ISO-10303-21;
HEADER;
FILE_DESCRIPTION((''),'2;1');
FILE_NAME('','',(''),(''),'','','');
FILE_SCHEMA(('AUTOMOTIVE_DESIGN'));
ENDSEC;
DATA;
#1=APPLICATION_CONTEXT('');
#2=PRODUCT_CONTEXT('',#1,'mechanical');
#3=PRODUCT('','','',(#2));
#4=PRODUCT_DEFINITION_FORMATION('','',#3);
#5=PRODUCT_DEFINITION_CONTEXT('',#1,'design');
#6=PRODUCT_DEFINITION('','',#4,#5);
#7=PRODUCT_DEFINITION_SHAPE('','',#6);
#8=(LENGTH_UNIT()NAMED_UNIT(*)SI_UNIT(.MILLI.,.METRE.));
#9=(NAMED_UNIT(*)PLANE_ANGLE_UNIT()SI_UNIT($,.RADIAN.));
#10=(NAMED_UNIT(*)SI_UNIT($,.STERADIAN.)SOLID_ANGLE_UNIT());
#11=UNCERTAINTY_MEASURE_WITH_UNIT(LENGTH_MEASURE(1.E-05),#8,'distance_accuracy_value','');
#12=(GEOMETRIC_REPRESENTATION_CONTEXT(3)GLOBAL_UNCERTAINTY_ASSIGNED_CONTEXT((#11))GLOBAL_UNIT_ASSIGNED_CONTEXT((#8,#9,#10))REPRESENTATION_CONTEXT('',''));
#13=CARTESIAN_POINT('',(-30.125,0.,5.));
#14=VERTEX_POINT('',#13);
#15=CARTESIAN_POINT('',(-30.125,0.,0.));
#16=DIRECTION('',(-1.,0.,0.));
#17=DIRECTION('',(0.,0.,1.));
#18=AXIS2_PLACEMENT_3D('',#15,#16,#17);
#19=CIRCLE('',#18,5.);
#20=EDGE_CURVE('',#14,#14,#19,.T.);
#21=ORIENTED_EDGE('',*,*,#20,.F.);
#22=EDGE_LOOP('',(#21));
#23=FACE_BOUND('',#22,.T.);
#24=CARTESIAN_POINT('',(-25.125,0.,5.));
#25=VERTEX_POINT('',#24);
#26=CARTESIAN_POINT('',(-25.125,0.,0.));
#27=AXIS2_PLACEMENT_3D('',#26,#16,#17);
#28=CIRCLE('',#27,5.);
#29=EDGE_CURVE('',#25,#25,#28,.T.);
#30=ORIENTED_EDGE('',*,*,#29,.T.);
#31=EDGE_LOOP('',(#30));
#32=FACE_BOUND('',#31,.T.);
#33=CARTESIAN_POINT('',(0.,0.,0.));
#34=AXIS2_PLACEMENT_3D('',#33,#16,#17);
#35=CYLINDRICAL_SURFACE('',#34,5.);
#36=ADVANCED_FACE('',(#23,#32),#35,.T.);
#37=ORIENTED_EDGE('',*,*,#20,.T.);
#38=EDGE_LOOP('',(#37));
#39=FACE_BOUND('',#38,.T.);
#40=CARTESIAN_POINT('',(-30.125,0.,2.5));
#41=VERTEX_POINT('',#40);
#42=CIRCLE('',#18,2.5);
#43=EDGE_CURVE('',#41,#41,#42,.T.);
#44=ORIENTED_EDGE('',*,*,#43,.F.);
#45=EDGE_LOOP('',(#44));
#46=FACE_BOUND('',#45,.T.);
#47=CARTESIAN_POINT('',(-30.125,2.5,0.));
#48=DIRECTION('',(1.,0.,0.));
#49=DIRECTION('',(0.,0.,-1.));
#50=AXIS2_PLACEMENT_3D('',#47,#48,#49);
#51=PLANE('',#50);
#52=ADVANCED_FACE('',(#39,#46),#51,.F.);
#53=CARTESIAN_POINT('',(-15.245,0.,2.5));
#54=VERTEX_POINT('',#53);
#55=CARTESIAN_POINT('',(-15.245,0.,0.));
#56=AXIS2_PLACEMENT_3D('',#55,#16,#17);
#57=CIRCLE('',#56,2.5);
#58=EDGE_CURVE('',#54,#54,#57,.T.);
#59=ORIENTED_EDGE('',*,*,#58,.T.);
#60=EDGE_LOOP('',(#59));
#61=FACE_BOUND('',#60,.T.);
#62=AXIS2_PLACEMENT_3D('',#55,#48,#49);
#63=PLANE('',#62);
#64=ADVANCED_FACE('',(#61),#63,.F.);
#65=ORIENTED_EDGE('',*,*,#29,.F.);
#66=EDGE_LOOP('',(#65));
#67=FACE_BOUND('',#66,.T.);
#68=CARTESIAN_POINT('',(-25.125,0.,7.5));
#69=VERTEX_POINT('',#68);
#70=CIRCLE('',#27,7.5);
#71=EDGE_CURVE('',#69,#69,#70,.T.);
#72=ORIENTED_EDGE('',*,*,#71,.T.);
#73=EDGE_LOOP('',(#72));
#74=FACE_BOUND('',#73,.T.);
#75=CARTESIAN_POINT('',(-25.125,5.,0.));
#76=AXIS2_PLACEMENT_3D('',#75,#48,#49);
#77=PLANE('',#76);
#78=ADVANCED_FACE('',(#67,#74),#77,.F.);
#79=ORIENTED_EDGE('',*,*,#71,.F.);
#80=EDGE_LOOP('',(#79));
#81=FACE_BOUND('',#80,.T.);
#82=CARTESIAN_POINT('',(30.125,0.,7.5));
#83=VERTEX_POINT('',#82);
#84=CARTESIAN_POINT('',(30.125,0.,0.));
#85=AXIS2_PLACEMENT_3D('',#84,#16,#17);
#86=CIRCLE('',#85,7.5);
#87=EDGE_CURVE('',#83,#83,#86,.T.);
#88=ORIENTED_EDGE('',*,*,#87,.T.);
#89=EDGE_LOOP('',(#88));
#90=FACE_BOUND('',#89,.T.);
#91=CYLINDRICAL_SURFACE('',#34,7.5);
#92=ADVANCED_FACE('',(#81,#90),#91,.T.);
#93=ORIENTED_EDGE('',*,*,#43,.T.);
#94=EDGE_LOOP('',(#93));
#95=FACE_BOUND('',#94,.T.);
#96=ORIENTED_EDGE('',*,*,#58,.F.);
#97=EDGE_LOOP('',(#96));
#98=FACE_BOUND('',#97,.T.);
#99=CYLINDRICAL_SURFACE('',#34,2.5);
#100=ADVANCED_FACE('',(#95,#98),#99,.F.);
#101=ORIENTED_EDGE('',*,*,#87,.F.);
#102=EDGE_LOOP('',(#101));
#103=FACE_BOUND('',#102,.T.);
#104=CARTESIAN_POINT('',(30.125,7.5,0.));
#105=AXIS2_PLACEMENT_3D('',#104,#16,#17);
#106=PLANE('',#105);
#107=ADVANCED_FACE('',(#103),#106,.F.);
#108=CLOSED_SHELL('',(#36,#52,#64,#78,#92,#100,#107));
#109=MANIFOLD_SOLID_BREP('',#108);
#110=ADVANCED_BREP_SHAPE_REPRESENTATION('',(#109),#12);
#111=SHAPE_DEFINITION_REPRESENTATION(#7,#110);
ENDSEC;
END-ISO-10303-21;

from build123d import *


with BuildPart() as part:
    # Esboço1 → Revolução1 (revolve)
    with BuildSketch(Plane.XY, mode=Mode.PRIVATE) as revolu_o1_sk:
        Polygon((-15.245, 0), (-15.245, 2.5), (-30.125, 2.5), (-30.125, 5), (-25.125, 5), (-25.125, 7.5), (30.125, 7.5), (30.125, 0), align=None)
    revolve(revolu_o1_sk.sketch.rotate(Axis((0, 0, 0), (1, 0, 0)), 90), axis=Axis((0, 0, 0), (1, 0, 0)))


solid = part.part
